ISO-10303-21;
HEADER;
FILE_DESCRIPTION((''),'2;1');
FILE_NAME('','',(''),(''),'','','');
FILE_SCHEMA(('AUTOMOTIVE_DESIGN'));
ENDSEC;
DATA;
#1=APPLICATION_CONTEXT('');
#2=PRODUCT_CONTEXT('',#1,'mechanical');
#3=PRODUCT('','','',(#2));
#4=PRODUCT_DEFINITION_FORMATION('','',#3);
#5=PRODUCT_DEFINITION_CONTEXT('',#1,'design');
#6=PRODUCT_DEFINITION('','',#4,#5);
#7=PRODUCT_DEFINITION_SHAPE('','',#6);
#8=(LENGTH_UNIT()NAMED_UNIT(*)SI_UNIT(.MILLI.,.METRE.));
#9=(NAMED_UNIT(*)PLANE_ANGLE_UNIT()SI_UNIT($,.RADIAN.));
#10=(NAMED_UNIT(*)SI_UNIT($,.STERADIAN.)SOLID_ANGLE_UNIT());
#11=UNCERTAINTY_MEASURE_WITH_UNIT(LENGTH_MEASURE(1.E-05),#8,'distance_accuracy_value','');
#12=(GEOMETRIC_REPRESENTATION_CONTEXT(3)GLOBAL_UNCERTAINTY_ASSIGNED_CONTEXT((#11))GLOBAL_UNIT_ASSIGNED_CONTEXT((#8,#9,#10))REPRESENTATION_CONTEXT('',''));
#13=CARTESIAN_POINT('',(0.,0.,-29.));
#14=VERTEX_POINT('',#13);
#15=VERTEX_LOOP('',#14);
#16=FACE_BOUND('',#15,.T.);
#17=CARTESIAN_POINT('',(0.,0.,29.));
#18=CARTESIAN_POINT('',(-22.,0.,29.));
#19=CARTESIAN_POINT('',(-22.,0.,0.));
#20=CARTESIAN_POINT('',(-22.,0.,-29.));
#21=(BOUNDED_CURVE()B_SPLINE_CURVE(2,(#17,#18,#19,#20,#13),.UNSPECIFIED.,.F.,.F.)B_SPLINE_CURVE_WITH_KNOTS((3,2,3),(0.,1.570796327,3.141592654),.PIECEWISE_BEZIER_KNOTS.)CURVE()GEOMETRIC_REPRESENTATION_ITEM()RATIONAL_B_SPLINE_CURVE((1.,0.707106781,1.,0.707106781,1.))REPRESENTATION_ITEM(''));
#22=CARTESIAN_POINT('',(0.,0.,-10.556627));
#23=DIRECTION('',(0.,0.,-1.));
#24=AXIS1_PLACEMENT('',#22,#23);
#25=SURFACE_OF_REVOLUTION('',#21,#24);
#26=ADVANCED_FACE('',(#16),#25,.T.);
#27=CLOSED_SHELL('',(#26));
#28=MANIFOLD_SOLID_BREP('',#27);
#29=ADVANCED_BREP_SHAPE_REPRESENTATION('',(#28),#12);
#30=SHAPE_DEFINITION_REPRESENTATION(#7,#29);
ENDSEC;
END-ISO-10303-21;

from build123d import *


with BuildPart() as f2:
    # F0 (on Front) → F2 (revolve)
    with BuildSketch(Plane.XZ):
        with BuildLine():
            Line((0, -29), (0, 29))
            add(Edge.make_bspline(
                [(0, 29), (-22, 29), (-22, 0), (-22, -29), (0, -29)],
                knots=[0, 0, 0, 1.5707963268, 1.5707963268, 3.1415926536, 3.1415926536, 3.1415926536], degree=2, weights=[1, 0.7071067812, 1, 0.7071067812, 1]))
        make_face()
    revolve(axis=Axis((0, 0, -10.5566270649), (0, 0, -1)))


solid = f2.part
